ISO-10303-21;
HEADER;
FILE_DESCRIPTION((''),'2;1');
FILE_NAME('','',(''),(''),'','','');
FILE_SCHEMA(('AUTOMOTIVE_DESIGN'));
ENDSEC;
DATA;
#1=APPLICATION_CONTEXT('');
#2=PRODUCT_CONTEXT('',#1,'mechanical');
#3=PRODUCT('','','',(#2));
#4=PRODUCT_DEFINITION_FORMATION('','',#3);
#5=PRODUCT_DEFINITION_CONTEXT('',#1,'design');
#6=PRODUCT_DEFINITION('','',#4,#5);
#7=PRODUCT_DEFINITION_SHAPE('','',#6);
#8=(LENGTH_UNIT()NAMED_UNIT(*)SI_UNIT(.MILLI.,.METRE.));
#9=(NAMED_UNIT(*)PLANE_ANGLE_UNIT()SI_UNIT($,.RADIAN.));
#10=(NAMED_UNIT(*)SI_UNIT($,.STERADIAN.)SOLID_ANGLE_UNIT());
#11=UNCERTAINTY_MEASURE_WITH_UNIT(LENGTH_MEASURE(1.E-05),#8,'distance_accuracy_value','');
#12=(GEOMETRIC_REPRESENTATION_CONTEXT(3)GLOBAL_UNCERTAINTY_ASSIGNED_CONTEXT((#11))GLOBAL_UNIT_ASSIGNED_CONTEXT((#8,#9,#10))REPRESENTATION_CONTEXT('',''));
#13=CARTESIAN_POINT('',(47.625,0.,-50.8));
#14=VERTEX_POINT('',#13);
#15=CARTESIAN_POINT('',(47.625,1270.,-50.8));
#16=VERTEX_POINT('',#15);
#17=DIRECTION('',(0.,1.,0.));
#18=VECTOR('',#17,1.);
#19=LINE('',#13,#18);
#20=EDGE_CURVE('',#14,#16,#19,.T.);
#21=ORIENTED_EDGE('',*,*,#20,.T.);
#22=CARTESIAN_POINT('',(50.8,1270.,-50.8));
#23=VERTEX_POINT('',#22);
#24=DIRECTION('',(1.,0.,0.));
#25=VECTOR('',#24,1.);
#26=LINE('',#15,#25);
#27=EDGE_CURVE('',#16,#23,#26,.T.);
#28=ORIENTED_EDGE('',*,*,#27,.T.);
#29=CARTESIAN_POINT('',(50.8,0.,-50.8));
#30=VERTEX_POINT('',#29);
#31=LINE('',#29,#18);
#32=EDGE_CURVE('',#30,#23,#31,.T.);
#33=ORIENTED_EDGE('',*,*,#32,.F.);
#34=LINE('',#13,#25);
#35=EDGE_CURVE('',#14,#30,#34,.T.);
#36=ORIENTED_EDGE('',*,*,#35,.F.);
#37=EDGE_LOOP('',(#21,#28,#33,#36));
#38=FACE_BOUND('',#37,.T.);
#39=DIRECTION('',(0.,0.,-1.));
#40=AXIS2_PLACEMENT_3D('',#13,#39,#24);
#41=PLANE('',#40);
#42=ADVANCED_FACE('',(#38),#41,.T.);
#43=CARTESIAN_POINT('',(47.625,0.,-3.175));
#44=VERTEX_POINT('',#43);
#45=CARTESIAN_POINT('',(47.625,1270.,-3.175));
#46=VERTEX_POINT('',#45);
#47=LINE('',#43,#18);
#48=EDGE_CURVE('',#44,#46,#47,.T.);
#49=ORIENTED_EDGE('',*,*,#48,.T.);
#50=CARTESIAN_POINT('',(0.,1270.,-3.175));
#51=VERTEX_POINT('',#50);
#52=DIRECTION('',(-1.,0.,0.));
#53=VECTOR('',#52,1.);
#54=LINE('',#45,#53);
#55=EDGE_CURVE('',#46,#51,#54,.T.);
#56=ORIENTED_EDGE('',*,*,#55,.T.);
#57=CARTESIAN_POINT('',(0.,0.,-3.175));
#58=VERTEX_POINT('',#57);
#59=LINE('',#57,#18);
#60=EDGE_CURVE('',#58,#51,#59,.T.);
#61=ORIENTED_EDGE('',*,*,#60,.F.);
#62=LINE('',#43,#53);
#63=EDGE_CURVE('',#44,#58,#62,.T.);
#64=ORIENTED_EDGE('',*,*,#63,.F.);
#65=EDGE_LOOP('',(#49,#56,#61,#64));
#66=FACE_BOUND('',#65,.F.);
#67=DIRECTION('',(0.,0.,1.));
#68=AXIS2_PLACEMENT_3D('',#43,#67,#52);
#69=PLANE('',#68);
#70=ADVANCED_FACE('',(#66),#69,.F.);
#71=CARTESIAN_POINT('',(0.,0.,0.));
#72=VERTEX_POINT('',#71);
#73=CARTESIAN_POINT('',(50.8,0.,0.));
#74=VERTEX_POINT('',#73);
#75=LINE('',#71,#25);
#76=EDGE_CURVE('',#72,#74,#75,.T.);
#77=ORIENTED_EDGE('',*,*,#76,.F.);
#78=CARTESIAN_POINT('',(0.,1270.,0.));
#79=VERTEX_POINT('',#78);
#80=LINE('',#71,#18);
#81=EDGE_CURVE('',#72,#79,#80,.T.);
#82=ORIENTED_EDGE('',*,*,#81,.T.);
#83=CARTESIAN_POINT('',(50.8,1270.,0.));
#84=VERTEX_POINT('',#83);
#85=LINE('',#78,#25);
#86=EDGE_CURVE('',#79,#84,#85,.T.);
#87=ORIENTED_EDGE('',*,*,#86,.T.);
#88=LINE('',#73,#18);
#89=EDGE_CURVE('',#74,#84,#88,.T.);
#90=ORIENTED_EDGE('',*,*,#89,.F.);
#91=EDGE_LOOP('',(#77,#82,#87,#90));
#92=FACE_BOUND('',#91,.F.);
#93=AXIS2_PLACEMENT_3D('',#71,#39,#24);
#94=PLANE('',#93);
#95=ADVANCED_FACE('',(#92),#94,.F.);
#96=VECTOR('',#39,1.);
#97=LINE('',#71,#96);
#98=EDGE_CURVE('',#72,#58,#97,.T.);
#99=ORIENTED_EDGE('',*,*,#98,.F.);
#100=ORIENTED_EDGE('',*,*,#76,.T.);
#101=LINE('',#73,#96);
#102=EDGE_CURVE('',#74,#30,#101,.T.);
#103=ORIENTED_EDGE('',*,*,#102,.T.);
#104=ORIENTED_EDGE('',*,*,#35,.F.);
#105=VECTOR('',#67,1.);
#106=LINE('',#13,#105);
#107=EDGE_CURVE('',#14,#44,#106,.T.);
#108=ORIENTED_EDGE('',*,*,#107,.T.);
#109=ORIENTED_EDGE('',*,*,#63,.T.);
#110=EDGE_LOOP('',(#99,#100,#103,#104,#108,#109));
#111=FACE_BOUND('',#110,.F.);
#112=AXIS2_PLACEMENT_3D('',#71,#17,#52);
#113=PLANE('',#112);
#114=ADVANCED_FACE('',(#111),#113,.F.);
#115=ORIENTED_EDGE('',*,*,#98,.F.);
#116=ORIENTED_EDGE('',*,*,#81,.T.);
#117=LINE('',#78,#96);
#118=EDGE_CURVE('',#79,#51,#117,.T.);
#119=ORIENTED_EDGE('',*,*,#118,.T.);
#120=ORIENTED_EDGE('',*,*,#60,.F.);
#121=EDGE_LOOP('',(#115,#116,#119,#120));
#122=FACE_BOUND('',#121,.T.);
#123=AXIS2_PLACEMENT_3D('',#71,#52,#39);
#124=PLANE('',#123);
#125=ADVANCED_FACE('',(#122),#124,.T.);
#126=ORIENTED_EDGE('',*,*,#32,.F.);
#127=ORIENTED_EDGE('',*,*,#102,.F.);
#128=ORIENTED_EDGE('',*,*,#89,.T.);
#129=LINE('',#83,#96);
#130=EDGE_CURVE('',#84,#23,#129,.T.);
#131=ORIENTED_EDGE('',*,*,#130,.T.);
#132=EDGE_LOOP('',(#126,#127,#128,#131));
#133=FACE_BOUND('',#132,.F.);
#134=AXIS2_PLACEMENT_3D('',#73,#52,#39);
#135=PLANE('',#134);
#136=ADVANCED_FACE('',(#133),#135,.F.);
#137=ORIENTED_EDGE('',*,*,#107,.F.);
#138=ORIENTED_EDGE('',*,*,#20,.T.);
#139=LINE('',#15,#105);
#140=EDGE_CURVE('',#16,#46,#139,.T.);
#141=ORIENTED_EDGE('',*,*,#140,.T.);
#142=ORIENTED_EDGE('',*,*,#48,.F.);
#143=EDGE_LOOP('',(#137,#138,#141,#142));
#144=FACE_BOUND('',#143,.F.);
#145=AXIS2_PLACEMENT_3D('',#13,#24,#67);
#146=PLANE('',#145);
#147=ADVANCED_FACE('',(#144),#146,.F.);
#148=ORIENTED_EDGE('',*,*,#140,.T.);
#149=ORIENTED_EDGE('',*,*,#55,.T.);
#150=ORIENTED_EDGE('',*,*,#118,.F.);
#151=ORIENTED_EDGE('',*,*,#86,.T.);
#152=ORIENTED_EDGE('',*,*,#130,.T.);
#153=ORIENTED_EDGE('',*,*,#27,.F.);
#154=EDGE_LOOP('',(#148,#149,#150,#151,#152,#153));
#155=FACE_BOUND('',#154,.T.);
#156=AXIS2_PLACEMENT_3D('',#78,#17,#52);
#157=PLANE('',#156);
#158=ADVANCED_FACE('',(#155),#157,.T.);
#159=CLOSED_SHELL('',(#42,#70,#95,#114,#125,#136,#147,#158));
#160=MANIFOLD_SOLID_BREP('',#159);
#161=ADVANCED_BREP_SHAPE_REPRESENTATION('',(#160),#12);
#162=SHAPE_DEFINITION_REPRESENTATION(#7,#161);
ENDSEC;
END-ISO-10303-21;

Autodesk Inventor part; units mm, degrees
ref_plane "YZ Plane" through (0, 0, 0) normal (1, 0, 0) x (0, 1, 0)
ref_plane "XZ Plane" through (0, 0, 0) normal (0, 1, 0) x (-1, 0, 0)
ref_plane "XY Plane" through (0, 0, 0) normal (0, 0, 1) x (1, 0, 0)
sketch "Sketch1" plane through (0, 0, 0) normal (0, 1, 0) x (-1, 0, 0)
  line L0 (0, 0) -> (-50.8, 0)
  line L1 (-50.8, 0) -> (-50.8, -50.8)
  line L2 (-47.625, -50.8) -> (-47.625, -3.175)
  line L3 (-47.625, -3.175) -> (0, -3.175)
  line L4 (0, 0) -> (0, -3.175)
  line L5 (-47.625, -50.8) -> (-50.8, -50.8)
  dimension "d0" = 50.8
  dimension "d1" = 50.8
  dimension "d2" = 3.175
extrude "Extrusion1" add sketch "Sketch1" along normal blind 1270
properties part number "Angle AL 2x2"
